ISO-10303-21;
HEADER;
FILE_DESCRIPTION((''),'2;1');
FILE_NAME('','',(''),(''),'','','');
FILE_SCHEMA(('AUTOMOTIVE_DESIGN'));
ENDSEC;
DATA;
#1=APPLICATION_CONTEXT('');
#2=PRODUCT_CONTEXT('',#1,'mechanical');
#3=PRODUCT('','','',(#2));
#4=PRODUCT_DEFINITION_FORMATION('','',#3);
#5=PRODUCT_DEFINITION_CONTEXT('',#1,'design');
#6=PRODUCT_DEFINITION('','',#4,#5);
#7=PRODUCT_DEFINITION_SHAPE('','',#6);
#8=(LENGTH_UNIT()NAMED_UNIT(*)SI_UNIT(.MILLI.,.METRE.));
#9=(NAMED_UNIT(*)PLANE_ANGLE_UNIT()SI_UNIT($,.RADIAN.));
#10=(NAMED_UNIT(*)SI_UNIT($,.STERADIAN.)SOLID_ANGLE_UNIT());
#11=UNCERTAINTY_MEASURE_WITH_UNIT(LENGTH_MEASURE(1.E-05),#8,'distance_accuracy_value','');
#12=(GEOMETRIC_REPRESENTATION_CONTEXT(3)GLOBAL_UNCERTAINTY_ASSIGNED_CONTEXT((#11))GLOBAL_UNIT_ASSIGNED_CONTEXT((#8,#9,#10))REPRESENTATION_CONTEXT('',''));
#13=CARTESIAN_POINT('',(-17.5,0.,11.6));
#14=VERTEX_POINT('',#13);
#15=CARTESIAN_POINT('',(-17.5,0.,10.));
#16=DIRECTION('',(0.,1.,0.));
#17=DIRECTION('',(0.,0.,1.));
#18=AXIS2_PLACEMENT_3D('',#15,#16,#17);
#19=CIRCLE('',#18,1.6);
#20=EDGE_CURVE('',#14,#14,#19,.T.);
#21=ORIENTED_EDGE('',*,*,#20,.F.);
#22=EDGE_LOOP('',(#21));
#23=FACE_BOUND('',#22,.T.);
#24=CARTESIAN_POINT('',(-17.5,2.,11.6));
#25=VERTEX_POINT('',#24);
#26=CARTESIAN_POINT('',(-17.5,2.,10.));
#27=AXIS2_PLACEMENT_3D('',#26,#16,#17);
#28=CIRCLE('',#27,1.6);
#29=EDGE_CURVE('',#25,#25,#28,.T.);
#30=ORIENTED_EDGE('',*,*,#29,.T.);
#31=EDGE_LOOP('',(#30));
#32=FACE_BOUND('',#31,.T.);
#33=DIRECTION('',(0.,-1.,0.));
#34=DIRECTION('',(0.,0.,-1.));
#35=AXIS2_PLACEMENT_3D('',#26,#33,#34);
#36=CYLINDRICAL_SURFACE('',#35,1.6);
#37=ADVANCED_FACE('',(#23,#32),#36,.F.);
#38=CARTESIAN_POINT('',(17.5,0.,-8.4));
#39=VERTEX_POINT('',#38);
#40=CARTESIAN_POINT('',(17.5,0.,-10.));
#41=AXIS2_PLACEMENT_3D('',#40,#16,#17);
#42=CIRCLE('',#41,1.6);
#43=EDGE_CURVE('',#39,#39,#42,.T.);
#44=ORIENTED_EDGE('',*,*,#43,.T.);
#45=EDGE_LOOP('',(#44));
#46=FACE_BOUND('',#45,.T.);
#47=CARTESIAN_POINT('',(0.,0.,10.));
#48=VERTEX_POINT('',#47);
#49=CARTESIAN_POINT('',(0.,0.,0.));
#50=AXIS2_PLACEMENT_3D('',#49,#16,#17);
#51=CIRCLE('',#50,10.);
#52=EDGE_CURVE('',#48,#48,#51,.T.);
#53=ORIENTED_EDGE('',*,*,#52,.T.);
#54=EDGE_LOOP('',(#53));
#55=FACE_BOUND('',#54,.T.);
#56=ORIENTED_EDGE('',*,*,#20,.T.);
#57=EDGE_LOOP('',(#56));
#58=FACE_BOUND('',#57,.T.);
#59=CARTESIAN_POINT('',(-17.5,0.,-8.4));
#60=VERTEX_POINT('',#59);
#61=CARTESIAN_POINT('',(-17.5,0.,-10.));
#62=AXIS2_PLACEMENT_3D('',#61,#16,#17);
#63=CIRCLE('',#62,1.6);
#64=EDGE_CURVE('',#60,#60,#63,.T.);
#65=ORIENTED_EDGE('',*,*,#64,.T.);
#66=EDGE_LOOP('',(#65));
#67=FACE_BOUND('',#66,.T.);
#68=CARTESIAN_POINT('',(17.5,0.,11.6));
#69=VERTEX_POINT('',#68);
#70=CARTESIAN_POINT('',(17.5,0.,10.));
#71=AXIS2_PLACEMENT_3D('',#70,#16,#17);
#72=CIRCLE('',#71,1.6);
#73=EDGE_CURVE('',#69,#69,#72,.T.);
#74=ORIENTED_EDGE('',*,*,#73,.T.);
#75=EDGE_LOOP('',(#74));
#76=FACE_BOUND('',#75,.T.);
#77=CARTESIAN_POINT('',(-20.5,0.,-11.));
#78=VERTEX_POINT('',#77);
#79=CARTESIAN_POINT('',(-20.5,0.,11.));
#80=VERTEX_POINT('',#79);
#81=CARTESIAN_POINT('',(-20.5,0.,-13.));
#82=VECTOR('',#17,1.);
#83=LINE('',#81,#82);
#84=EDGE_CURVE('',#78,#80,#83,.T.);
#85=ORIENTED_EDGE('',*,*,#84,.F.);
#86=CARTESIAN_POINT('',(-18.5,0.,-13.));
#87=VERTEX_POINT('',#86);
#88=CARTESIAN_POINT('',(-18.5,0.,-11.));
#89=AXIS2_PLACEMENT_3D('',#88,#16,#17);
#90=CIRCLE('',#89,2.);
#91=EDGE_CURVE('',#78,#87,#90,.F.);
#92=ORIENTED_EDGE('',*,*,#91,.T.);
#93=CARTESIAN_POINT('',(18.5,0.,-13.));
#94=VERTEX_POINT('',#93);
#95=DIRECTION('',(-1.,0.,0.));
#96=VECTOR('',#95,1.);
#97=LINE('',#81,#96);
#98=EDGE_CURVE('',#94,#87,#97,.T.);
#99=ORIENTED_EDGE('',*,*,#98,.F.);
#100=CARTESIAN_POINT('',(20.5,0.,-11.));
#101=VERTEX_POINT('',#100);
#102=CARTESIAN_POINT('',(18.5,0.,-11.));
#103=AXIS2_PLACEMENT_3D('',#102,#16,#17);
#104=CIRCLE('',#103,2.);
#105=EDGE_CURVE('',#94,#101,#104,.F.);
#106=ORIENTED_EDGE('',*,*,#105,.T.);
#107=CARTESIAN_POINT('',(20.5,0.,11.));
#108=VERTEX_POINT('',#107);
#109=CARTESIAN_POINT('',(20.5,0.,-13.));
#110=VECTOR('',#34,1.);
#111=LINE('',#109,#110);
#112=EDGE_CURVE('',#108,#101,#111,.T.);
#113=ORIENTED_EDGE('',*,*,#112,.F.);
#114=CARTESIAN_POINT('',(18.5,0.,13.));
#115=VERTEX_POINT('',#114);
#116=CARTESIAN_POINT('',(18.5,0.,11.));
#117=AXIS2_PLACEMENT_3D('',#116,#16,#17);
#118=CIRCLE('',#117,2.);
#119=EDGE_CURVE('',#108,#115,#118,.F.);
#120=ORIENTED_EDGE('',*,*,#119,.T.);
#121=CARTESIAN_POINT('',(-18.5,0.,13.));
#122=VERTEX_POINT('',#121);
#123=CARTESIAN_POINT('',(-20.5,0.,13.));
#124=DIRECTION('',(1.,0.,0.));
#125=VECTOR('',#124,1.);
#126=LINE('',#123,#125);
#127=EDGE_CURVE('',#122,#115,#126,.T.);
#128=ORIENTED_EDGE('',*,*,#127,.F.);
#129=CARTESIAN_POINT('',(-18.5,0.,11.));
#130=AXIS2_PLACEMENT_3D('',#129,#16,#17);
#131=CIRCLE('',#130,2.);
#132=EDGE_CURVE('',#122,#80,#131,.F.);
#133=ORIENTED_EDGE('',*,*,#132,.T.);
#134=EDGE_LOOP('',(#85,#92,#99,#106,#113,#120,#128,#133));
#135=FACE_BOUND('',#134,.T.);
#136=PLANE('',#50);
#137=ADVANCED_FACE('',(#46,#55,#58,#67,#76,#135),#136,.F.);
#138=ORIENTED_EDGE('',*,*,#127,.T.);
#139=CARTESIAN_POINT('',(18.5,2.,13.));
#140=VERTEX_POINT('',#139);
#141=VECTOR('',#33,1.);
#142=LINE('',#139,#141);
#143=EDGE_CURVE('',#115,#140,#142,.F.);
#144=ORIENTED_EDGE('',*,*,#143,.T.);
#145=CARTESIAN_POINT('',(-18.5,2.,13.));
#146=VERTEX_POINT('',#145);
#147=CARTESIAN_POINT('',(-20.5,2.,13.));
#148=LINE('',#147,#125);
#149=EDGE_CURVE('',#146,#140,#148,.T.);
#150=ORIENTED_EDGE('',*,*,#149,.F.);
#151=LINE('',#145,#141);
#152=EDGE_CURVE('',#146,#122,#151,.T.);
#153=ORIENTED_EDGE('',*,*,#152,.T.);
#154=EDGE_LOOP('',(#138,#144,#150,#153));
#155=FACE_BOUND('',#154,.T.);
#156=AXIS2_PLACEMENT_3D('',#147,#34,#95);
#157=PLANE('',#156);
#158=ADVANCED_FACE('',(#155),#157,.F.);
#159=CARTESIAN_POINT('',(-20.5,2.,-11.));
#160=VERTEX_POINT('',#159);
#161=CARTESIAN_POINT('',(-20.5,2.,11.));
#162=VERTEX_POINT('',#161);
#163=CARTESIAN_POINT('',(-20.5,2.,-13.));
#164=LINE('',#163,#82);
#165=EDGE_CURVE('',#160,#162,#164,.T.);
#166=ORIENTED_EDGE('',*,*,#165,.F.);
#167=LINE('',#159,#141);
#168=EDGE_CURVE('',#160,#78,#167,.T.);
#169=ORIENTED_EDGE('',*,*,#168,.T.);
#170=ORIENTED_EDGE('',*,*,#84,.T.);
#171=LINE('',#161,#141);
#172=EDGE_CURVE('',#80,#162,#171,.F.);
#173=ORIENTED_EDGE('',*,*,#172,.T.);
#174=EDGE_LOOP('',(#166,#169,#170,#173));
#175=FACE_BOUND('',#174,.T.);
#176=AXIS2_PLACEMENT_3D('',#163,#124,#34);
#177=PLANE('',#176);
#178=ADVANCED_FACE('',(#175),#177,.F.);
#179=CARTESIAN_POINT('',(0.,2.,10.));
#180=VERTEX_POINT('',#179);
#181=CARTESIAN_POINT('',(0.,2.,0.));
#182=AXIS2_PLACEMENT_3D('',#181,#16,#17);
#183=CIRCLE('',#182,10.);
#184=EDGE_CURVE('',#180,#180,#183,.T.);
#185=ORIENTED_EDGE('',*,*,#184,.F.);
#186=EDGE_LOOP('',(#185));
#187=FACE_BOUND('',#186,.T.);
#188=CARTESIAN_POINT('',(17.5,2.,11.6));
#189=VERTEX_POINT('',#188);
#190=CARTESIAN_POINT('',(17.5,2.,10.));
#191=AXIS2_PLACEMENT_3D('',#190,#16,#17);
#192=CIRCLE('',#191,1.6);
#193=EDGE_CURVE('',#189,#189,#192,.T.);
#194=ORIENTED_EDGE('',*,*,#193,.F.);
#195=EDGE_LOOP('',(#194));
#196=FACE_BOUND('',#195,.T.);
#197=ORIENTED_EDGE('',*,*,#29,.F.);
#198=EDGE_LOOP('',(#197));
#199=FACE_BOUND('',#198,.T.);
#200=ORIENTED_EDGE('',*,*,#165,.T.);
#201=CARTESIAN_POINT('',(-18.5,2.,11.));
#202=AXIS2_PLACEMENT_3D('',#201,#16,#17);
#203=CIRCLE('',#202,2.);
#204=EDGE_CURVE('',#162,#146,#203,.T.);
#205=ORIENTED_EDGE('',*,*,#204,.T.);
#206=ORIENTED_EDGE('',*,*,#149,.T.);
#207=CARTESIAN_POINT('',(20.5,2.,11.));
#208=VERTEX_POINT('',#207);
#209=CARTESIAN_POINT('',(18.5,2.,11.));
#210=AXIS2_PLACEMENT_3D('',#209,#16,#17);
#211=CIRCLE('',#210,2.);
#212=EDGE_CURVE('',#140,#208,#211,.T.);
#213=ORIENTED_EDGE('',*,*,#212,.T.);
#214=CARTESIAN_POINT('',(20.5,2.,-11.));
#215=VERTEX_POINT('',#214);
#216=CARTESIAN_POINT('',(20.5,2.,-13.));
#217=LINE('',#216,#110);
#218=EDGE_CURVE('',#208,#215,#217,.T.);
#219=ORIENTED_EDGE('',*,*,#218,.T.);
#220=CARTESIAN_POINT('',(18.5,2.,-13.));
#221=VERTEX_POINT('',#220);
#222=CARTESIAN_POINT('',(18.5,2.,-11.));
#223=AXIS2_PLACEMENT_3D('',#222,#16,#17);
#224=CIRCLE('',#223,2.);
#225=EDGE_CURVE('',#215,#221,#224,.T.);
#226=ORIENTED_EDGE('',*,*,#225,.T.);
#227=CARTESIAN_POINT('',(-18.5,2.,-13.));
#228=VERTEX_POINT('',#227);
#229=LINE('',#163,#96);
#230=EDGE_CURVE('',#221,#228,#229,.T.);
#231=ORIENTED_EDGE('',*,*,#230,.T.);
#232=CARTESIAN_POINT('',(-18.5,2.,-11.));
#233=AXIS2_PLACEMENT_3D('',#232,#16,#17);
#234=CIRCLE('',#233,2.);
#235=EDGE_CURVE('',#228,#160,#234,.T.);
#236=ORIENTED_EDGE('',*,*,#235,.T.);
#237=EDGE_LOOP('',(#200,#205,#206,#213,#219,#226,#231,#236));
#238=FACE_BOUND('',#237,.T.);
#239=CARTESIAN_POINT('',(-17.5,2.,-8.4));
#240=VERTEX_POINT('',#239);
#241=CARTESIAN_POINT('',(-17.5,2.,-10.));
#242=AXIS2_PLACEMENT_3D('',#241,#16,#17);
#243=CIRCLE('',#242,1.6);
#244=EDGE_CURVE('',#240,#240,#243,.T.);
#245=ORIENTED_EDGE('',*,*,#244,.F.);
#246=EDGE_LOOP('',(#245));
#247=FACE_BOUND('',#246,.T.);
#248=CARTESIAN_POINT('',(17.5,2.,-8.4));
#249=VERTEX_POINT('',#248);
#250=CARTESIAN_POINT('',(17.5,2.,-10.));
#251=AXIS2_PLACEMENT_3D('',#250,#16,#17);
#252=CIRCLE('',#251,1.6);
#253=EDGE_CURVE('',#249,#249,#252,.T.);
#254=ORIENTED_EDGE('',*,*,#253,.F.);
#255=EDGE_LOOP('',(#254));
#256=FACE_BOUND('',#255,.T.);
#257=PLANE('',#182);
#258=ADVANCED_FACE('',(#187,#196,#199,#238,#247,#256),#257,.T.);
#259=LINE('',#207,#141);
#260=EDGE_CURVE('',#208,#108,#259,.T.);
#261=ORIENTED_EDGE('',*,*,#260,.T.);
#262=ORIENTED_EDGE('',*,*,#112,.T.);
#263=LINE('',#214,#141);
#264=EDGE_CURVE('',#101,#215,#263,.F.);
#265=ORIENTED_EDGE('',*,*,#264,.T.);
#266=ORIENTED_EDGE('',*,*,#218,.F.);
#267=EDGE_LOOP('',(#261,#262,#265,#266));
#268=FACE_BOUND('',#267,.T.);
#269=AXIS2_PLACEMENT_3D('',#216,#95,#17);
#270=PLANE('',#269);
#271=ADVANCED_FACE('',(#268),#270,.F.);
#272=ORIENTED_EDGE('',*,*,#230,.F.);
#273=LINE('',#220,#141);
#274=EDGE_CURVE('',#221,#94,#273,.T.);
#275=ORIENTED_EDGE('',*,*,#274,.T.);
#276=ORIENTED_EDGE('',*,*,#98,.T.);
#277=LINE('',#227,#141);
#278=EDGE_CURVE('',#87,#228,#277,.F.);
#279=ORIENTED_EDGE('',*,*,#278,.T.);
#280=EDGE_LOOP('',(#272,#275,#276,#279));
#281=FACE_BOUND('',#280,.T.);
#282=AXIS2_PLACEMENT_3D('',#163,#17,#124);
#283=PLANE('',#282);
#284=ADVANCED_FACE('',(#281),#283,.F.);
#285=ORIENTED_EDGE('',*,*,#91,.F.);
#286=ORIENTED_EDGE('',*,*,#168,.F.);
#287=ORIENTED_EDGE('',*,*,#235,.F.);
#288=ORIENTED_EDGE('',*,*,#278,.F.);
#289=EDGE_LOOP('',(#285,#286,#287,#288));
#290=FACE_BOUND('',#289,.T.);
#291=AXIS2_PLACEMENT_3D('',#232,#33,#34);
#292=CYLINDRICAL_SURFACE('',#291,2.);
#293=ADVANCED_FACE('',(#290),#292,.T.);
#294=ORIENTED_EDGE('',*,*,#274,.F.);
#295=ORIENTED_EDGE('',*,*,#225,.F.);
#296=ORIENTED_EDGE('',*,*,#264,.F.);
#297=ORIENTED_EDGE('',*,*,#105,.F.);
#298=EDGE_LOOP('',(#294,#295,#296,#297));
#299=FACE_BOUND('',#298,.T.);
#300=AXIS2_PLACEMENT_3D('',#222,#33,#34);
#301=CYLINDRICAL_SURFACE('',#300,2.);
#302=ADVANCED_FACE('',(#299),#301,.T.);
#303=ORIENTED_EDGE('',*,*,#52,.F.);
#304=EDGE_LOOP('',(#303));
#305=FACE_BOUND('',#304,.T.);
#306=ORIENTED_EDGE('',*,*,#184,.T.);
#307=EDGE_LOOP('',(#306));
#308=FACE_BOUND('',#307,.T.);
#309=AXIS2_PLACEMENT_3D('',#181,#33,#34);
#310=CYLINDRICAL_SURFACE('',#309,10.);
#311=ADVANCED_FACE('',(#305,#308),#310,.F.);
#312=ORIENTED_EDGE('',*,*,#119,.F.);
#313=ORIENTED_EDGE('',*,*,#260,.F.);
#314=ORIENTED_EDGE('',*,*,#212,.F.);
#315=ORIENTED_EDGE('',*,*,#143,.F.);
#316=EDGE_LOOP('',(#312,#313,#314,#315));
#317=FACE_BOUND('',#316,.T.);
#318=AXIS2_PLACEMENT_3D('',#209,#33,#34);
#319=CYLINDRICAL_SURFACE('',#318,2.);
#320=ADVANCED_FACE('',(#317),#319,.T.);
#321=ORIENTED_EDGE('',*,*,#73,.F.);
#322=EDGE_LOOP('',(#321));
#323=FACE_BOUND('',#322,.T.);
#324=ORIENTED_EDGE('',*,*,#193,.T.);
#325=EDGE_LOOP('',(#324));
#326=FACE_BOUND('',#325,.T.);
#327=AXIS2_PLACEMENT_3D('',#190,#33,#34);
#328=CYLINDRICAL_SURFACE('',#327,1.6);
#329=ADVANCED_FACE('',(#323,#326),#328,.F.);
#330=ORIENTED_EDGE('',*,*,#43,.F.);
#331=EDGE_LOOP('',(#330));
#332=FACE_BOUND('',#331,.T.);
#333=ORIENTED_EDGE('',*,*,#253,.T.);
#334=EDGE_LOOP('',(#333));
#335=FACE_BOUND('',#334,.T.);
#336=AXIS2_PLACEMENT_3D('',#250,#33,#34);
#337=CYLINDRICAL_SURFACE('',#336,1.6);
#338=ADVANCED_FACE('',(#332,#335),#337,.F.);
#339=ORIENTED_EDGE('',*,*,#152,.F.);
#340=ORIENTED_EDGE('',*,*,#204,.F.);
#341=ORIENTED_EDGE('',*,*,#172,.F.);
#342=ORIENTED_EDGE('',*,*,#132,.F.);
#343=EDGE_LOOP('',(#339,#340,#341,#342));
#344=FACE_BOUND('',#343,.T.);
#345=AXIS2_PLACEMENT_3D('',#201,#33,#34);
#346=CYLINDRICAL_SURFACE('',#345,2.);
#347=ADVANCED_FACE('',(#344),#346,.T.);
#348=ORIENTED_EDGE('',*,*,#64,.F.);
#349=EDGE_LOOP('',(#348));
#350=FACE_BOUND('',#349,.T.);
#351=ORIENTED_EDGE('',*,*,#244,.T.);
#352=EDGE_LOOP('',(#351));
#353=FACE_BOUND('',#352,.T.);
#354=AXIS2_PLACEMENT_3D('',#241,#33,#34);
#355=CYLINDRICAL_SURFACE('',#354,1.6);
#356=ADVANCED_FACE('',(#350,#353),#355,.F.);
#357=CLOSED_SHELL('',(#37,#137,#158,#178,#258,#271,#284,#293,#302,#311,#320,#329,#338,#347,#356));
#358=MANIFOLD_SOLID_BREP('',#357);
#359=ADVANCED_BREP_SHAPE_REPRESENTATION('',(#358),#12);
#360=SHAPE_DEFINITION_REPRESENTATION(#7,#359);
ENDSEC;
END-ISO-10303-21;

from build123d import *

# Parameters (mm, degrees)
SKETCH_1_W      = 41
SKETCH_1_H      = 26
SKETCH_1_R      = 1.6
SKETCH_1_R_2    = 10
EXTRUDE_1_DEPTH = 2
FILLET_1_R      = 2


with BuildPart() as part:
    # 草图1 → 凸台-拉伸1 (new body)
    with BuildSketch(Plane(origin=(0, 0, 0), x_dir=(1, 0, 0), z_dir=(0, 1, 0))):
        Rectangle(SKETCH_1_W, SKETCH_1_H)
        with Locations(Location((-17.5, 10, 0), (0, 0, 270))):
            Circle(SKETCH_1_R, mode=Mode.SUBTRACT)
        with Locations(Location((17.5, 10, 0), (0, 0, 270))):
            Circle(SKETCH_1_R, mode=Mode.SUBTRACT)
        with Locations(Location((17.5, -10, 0), (0, 0, 270))):
            Circle(SKETCH_1_R, mode=Mode.SUBTRACT)
        with Locations(Location((-17.5, -10, 0), (0, 0, 270))):
            Circle(SKETCH_1_R, mode=Mode.SUBTRACT)
        with Locations(Location((0, 0, 0), (0, 0, 270))):
            Circle(SKETCH_1_R_2, mode=Mode.SUBTRACT)
    extrude(amount=EXTRUDE_1_DEPTH)

    # 圆角1
    fillet_1_edges = [part.edges().sort_by_distance(p)[0] for p in [
        (-20.5, 1, -13),
        (20.5, 1, -13),
        (20.5, 1, 13),
        (-20.5, 1, 13),
    ]]
    fillet(fillet_1_edges, radius=FILLET_1_R)


solid = part.part
